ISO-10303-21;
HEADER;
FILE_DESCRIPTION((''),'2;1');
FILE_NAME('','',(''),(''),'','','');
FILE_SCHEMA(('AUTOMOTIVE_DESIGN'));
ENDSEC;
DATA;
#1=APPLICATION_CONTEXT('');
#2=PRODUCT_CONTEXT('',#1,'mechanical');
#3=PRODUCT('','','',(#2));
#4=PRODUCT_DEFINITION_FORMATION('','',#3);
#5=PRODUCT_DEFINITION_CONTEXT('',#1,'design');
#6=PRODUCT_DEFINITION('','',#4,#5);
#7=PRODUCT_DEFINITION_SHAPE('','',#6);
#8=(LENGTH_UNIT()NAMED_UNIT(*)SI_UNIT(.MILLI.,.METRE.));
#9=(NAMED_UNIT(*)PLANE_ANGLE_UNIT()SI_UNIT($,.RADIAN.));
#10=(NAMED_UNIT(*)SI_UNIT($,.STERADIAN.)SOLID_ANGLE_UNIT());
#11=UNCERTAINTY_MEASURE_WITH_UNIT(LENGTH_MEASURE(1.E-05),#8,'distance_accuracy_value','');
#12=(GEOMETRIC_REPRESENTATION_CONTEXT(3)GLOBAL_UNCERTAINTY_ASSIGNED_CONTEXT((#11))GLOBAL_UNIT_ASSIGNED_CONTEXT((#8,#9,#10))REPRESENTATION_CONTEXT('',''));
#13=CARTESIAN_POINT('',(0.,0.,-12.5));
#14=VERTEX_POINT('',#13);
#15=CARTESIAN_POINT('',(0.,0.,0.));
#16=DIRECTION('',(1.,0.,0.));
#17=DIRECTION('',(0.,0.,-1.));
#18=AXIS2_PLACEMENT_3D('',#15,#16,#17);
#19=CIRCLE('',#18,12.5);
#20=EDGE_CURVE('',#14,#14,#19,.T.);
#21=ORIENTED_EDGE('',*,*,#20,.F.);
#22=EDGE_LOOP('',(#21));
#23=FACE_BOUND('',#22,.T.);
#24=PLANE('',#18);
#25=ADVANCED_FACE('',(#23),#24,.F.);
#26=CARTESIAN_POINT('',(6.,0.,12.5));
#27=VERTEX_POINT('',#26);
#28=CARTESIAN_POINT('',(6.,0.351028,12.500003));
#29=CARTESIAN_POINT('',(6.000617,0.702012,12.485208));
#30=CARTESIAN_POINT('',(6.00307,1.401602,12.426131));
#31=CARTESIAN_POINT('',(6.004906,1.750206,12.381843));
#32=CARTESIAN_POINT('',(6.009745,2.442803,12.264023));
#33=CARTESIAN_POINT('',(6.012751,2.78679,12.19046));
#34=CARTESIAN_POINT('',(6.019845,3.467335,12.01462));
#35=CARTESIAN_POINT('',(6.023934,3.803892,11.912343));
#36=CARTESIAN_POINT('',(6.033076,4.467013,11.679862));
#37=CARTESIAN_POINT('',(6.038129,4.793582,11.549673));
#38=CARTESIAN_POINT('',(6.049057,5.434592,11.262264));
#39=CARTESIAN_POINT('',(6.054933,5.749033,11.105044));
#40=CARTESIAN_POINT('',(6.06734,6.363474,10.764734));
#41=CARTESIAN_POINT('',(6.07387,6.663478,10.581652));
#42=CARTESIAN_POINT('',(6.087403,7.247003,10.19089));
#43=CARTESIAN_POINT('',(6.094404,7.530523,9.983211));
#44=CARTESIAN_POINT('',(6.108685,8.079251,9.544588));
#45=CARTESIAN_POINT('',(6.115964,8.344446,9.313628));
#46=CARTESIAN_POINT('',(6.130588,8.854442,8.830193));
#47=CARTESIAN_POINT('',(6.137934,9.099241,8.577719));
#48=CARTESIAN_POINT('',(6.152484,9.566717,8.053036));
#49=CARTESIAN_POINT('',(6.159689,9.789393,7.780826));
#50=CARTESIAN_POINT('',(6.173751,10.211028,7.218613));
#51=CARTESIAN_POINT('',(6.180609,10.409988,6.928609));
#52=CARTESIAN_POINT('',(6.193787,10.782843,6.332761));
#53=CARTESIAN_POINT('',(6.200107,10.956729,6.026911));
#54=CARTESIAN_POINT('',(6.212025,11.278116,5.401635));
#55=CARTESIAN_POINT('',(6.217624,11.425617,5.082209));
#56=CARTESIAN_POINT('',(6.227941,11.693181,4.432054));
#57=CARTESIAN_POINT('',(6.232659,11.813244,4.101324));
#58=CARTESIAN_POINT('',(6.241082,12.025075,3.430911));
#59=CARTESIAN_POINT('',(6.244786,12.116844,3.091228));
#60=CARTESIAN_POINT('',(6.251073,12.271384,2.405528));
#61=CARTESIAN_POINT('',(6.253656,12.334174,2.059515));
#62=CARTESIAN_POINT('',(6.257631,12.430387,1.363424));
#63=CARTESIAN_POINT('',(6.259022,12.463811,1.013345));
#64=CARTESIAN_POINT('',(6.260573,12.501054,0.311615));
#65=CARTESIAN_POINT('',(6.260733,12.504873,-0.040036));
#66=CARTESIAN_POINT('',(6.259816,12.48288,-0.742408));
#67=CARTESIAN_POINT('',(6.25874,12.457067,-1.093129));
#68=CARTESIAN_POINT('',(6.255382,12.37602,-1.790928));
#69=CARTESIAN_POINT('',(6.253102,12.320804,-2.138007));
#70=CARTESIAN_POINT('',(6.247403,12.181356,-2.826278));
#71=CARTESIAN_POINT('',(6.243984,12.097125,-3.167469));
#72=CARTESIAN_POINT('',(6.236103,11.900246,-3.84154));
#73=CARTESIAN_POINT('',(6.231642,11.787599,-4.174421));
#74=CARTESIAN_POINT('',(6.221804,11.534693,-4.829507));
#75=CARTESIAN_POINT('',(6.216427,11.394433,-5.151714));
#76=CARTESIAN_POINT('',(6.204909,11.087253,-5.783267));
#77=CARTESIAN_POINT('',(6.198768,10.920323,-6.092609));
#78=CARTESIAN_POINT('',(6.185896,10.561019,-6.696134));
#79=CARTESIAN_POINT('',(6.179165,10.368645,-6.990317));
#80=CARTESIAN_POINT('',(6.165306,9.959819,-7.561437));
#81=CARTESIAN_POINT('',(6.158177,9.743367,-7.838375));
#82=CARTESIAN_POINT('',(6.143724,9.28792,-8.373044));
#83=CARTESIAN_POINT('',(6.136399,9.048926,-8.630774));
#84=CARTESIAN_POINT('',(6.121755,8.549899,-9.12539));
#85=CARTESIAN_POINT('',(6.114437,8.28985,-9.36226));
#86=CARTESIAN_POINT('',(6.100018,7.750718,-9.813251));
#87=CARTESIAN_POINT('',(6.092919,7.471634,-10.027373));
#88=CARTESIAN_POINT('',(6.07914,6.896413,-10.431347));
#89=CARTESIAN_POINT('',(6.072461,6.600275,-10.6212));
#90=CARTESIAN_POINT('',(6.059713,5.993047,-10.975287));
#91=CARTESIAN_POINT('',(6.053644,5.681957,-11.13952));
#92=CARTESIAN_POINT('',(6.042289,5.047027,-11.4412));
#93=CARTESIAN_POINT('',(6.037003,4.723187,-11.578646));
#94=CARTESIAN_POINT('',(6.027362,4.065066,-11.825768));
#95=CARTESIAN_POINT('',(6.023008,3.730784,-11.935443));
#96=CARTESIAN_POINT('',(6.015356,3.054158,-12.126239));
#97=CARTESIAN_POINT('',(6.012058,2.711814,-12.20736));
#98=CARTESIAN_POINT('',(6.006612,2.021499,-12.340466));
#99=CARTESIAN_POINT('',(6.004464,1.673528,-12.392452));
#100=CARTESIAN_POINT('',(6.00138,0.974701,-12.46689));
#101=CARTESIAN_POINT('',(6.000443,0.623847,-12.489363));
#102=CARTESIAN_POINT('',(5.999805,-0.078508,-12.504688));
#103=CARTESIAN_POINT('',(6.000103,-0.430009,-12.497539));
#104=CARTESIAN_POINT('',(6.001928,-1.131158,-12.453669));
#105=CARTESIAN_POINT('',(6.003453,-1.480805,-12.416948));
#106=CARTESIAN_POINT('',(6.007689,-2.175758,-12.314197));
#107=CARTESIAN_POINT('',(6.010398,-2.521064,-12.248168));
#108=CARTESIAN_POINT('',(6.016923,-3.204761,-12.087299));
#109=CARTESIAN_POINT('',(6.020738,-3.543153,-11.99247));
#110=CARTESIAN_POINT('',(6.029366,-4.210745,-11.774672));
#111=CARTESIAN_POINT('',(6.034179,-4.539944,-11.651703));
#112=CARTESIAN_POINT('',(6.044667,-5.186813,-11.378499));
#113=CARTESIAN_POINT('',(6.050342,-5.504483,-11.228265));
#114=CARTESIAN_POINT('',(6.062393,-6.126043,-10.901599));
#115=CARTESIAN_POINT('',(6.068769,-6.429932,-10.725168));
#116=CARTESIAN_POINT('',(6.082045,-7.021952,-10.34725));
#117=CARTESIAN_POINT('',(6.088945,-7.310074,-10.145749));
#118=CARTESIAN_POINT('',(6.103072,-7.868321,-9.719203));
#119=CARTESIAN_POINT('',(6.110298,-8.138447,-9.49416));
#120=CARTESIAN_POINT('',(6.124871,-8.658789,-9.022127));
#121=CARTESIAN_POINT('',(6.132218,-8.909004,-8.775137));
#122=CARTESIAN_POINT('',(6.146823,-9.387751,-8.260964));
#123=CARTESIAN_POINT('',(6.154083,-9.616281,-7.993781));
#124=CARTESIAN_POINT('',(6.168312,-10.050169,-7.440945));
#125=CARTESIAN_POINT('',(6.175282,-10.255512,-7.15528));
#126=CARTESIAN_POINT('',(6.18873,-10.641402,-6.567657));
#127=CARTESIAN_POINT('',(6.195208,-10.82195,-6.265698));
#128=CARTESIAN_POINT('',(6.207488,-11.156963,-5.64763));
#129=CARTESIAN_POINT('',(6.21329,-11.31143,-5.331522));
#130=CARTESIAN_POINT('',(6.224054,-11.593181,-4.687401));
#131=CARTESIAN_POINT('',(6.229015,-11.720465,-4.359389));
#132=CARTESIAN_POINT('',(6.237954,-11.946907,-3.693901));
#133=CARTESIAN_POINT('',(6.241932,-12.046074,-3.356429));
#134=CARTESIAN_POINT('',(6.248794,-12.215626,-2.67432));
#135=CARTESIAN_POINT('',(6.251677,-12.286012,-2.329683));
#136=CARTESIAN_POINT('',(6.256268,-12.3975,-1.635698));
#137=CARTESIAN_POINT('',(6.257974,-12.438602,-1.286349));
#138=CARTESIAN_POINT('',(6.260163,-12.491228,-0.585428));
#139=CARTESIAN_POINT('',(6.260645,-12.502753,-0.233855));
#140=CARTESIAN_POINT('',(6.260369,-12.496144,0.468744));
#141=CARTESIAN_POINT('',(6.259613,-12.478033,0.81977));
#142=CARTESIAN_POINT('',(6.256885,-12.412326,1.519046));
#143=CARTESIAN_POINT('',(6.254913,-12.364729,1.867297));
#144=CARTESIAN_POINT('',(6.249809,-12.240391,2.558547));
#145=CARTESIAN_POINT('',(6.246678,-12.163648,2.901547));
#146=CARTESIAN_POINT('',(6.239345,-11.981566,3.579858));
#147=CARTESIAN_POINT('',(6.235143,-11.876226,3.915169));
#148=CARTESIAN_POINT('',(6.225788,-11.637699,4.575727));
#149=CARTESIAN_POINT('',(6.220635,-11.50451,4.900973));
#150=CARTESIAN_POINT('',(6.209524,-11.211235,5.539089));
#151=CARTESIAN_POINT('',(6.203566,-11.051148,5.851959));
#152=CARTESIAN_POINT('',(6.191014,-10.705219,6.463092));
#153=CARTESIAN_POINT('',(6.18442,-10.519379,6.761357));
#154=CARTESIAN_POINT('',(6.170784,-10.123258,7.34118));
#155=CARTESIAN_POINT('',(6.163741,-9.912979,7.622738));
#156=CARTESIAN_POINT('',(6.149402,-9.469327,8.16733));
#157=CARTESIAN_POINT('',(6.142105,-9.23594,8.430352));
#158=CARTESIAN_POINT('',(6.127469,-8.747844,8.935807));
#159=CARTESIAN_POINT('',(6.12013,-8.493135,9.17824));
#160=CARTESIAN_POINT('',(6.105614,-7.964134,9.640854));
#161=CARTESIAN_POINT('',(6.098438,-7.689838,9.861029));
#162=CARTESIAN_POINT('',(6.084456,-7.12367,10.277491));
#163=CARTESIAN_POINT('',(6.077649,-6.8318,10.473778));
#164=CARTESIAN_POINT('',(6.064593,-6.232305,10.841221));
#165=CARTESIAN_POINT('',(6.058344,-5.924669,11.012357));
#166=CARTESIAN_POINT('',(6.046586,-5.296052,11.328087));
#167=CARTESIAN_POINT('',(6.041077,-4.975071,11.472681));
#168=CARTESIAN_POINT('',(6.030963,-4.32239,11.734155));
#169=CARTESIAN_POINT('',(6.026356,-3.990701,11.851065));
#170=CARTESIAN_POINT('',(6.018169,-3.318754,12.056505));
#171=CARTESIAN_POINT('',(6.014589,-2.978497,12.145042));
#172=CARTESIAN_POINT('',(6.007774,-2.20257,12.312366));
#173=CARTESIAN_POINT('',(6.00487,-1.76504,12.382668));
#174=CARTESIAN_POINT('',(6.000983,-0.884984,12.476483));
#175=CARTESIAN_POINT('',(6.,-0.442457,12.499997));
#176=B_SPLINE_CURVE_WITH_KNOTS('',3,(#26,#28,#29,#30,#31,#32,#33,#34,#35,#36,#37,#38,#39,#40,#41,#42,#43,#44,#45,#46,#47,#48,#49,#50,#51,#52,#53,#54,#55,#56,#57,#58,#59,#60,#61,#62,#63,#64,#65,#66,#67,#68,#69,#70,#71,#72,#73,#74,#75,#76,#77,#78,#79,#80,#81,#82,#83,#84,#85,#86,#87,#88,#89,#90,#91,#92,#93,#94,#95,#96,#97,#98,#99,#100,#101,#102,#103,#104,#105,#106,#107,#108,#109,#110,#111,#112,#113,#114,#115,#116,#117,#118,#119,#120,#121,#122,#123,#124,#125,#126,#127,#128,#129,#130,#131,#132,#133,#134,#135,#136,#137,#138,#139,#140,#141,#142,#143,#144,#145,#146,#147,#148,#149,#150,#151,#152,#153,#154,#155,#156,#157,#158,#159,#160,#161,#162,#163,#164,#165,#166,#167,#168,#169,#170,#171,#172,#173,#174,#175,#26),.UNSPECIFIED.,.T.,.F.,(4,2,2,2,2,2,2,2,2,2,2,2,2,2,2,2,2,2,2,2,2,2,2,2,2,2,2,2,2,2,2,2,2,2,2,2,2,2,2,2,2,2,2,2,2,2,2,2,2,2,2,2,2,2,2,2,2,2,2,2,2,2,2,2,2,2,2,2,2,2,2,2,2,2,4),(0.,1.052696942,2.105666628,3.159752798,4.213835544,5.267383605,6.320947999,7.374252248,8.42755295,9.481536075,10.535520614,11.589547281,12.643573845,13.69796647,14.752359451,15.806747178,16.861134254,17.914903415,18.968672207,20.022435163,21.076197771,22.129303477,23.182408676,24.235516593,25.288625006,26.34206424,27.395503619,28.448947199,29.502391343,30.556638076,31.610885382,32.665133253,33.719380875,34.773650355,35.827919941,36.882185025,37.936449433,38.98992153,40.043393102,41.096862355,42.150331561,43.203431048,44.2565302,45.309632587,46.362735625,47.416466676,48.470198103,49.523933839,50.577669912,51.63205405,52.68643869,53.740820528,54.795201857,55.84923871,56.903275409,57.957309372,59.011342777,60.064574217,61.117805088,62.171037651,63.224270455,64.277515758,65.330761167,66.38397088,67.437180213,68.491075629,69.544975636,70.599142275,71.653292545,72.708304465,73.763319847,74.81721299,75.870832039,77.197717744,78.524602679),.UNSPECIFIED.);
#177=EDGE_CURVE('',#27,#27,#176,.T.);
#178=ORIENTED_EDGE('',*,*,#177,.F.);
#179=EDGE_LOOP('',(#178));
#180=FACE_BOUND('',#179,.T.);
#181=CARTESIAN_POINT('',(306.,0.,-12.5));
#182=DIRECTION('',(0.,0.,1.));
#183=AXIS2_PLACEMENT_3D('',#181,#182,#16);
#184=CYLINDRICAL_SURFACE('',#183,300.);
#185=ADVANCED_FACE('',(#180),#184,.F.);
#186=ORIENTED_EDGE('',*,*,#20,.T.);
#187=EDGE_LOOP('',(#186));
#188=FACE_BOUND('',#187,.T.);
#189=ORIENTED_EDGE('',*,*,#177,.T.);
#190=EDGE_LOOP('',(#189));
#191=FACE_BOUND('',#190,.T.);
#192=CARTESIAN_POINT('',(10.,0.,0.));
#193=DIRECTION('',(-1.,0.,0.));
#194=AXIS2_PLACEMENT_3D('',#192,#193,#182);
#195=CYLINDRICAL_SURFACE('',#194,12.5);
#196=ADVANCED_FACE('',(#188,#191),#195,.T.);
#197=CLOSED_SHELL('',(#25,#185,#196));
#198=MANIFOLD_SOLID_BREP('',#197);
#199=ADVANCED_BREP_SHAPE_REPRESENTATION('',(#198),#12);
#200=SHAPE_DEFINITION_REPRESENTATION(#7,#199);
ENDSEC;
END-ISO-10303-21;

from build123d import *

# Parameters (mm, degrees)
SKETCH_1_R               = 12.5
EXTRUDE_1_DEPTH          = 10
SKETCH_2_R               = 300
CUT_EXTRUDE_1_DEPTH      = 13.5
CUT_EXTRUDE_1_DEPTH_BACK = 13.5


with BuildPart() as part:
    # 草图1 → 凸台-拉伸1 (new body)
    with BuildSketch(Plane(origin=(0, 0, 0), x_dir=(0, 0, -1), z_dir=(1, 0, 0))):
        Circle(SKETCH_1_R)
    extrude(amount=EXTRUDE_1_DEPTH)

    # 草图2 → 切除-拉伸1 (cut, two sides)
    with BuildSketch(Plane.XY) as cut_extrude_1_sk:
        with Locations((306, 0)):
            Circle(SKETCH_2_R)
    extrude(amount=CUT_EXTRUDE_1_DEPTH, mode=Mode.SUBTRACT)
    extrude(cut_extrude_1_sk.sketch, amount=-CUT_EXTRUDE_1_DEPTH_BACK, mode=Mode.SUBTRACT)


solid = part.part
